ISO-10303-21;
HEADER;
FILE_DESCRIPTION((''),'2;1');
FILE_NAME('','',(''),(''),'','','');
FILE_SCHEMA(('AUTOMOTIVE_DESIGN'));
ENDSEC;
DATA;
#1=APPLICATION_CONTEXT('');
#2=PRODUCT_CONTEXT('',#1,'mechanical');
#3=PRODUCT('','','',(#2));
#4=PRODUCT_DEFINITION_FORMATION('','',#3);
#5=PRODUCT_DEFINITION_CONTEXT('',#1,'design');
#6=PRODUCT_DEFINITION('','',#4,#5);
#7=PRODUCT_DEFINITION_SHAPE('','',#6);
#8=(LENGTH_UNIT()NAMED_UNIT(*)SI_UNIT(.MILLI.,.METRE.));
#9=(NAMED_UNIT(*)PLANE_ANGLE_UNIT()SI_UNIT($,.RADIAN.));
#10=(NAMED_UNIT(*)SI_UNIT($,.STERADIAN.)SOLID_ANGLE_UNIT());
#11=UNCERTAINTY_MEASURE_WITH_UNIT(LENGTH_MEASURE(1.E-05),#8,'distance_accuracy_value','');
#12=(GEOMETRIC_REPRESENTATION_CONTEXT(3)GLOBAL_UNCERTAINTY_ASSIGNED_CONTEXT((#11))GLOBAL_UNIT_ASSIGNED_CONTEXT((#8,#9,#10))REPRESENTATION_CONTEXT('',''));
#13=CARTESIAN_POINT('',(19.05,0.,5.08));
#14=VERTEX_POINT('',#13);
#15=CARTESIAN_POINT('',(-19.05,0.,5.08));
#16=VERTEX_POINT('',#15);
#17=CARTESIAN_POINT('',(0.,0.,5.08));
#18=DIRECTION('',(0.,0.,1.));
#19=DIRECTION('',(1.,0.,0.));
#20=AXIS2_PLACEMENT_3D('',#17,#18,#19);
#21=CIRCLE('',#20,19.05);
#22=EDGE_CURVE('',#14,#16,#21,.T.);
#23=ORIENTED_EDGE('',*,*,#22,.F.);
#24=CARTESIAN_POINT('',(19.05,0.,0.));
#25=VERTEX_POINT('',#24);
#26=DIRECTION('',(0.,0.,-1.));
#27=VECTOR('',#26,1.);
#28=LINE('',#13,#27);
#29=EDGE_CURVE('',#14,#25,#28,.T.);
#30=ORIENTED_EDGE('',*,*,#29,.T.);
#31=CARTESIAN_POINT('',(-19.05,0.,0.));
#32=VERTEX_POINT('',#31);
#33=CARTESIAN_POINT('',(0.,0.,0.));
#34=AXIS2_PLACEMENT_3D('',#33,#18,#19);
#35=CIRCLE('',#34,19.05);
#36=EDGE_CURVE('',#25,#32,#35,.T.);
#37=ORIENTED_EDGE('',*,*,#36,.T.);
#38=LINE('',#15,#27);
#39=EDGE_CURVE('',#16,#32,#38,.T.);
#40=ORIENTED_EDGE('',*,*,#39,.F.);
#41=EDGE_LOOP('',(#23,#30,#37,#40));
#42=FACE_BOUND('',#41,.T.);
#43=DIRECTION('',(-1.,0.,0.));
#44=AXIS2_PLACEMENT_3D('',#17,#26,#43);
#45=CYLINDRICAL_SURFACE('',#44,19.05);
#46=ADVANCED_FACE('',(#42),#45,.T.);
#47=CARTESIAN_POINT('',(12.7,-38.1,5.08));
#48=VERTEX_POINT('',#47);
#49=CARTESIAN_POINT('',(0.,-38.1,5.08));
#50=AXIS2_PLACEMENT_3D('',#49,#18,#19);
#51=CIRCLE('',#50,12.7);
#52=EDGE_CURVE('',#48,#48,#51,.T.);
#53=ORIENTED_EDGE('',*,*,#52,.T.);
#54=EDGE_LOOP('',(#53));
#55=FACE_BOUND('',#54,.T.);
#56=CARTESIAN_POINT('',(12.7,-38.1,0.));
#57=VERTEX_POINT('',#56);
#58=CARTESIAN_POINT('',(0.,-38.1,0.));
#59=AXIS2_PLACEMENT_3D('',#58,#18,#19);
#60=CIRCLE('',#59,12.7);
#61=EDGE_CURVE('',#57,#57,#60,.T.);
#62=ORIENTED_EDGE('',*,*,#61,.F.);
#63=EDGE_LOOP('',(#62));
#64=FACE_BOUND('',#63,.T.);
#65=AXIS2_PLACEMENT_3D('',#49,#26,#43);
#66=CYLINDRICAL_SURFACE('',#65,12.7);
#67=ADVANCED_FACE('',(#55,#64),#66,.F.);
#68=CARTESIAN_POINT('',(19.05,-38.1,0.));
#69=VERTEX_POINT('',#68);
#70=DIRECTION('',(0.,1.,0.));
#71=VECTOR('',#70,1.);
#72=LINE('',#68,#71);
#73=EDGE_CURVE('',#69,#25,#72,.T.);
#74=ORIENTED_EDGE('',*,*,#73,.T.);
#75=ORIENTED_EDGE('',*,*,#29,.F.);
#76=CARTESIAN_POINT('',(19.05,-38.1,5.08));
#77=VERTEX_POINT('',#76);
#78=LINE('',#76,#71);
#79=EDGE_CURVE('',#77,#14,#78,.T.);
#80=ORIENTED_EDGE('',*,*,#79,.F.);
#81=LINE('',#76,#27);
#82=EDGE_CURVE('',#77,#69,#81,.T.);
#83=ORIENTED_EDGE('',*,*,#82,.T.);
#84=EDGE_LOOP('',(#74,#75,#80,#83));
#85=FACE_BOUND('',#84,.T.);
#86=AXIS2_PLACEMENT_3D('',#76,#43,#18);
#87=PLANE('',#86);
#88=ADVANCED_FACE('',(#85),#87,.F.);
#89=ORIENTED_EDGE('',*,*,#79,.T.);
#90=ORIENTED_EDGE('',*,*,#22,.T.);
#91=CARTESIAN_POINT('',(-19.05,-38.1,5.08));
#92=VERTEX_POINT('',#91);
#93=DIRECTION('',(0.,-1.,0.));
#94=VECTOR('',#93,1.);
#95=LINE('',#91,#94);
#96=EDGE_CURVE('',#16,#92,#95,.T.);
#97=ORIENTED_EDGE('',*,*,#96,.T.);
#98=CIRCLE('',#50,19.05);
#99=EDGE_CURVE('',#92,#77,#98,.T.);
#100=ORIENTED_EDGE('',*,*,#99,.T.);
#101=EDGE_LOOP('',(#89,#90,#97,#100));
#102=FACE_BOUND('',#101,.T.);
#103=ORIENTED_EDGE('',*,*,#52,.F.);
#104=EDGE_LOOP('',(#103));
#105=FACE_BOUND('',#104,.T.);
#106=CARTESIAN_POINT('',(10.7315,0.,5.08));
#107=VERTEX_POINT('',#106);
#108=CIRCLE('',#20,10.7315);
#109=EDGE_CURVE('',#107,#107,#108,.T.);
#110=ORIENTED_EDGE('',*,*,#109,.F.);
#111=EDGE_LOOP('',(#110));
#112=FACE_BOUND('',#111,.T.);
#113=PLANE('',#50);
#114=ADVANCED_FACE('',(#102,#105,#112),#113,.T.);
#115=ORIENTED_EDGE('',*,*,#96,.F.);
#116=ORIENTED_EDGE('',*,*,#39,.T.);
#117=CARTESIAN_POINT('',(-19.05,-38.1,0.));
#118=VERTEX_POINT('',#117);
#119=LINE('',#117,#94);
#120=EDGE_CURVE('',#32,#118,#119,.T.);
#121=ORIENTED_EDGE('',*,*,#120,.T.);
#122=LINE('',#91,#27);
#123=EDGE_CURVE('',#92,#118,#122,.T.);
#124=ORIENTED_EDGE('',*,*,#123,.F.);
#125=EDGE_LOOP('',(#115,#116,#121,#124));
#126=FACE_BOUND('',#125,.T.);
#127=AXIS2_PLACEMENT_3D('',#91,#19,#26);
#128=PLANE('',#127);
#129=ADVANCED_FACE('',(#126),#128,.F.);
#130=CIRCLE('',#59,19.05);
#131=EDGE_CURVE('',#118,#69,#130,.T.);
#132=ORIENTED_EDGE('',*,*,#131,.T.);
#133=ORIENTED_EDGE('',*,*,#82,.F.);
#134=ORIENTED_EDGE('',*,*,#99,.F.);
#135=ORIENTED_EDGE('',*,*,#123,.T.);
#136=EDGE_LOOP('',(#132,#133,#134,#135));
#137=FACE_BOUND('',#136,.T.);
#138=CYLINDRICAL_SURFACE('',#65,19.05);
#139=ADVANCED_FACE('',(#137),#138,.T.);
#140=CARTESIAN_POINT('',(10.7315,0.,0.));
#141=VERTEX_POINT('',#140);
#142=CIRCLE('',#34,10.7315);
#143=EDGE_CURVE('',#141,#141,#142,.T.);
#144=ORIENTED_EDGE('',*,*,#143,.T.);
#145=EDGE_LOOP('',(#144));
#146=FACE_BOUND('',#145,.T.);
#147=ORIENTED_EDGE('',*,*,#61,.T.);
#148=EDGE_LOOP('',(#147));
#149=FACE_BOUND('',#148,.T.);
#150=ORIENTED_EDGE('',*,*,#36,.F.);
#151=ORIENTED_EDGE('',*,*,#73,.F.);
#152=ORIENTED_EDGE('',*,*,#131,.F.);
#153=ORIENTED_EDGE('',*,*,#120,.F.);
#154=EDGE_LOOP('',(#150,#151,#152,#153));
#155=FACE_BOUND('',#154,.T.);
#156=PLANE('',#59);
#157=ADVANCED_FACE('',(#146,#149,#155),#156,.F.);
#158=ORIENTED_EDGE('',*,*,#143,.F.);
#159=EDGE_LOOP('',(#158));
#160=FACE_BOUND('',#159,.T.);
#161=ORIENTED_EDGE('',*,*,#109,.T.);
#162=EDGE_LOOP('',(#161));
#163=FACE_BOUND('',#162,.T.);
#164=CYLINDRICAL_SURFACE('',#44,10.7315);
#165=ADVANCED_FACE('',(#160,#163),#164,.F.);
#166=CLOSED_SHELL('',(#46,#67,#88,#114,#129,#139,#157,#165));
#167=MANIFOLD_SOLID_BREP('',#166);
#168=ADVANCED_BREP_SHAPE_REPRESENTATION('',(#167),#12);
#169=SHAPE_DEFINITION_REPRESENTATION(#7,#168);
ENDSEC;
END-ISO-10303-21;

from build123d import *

# Parameters (mm, degrees)
SKETCH1_R           = 10.7315
SKETCH1_R_2         = 12.7
BOSS_EXTRUDE1_DEPTH = 5.08


with BuildPart() as part:
    # Sketch1 → Boss-Extrude1 (new body)
    with BuildSketch(Plane.XY):
        with BuildLine():
            Line((-19.05, -38.1), (-19.05, 0))
            ThreePointArc((-19.05, 0), (0, 19.05), (19.05, 0))
            Line((19.05, 0), (19.05, -38.1))
            ThreePointArc((19.05, -38.1), (0, -57.15), (-19.05, -38.1))
        make_face()
        Circle(SKETCH1_R, mode=Mode.SUBTRACT)
        with Locations((0, -38.1)):
            Circle(SKETCH1_R_2, mode=Mode.SUBTRACT)
    extrude(amount=BOSS_EXTRUDE1_DEPTH)


solid = part.part
